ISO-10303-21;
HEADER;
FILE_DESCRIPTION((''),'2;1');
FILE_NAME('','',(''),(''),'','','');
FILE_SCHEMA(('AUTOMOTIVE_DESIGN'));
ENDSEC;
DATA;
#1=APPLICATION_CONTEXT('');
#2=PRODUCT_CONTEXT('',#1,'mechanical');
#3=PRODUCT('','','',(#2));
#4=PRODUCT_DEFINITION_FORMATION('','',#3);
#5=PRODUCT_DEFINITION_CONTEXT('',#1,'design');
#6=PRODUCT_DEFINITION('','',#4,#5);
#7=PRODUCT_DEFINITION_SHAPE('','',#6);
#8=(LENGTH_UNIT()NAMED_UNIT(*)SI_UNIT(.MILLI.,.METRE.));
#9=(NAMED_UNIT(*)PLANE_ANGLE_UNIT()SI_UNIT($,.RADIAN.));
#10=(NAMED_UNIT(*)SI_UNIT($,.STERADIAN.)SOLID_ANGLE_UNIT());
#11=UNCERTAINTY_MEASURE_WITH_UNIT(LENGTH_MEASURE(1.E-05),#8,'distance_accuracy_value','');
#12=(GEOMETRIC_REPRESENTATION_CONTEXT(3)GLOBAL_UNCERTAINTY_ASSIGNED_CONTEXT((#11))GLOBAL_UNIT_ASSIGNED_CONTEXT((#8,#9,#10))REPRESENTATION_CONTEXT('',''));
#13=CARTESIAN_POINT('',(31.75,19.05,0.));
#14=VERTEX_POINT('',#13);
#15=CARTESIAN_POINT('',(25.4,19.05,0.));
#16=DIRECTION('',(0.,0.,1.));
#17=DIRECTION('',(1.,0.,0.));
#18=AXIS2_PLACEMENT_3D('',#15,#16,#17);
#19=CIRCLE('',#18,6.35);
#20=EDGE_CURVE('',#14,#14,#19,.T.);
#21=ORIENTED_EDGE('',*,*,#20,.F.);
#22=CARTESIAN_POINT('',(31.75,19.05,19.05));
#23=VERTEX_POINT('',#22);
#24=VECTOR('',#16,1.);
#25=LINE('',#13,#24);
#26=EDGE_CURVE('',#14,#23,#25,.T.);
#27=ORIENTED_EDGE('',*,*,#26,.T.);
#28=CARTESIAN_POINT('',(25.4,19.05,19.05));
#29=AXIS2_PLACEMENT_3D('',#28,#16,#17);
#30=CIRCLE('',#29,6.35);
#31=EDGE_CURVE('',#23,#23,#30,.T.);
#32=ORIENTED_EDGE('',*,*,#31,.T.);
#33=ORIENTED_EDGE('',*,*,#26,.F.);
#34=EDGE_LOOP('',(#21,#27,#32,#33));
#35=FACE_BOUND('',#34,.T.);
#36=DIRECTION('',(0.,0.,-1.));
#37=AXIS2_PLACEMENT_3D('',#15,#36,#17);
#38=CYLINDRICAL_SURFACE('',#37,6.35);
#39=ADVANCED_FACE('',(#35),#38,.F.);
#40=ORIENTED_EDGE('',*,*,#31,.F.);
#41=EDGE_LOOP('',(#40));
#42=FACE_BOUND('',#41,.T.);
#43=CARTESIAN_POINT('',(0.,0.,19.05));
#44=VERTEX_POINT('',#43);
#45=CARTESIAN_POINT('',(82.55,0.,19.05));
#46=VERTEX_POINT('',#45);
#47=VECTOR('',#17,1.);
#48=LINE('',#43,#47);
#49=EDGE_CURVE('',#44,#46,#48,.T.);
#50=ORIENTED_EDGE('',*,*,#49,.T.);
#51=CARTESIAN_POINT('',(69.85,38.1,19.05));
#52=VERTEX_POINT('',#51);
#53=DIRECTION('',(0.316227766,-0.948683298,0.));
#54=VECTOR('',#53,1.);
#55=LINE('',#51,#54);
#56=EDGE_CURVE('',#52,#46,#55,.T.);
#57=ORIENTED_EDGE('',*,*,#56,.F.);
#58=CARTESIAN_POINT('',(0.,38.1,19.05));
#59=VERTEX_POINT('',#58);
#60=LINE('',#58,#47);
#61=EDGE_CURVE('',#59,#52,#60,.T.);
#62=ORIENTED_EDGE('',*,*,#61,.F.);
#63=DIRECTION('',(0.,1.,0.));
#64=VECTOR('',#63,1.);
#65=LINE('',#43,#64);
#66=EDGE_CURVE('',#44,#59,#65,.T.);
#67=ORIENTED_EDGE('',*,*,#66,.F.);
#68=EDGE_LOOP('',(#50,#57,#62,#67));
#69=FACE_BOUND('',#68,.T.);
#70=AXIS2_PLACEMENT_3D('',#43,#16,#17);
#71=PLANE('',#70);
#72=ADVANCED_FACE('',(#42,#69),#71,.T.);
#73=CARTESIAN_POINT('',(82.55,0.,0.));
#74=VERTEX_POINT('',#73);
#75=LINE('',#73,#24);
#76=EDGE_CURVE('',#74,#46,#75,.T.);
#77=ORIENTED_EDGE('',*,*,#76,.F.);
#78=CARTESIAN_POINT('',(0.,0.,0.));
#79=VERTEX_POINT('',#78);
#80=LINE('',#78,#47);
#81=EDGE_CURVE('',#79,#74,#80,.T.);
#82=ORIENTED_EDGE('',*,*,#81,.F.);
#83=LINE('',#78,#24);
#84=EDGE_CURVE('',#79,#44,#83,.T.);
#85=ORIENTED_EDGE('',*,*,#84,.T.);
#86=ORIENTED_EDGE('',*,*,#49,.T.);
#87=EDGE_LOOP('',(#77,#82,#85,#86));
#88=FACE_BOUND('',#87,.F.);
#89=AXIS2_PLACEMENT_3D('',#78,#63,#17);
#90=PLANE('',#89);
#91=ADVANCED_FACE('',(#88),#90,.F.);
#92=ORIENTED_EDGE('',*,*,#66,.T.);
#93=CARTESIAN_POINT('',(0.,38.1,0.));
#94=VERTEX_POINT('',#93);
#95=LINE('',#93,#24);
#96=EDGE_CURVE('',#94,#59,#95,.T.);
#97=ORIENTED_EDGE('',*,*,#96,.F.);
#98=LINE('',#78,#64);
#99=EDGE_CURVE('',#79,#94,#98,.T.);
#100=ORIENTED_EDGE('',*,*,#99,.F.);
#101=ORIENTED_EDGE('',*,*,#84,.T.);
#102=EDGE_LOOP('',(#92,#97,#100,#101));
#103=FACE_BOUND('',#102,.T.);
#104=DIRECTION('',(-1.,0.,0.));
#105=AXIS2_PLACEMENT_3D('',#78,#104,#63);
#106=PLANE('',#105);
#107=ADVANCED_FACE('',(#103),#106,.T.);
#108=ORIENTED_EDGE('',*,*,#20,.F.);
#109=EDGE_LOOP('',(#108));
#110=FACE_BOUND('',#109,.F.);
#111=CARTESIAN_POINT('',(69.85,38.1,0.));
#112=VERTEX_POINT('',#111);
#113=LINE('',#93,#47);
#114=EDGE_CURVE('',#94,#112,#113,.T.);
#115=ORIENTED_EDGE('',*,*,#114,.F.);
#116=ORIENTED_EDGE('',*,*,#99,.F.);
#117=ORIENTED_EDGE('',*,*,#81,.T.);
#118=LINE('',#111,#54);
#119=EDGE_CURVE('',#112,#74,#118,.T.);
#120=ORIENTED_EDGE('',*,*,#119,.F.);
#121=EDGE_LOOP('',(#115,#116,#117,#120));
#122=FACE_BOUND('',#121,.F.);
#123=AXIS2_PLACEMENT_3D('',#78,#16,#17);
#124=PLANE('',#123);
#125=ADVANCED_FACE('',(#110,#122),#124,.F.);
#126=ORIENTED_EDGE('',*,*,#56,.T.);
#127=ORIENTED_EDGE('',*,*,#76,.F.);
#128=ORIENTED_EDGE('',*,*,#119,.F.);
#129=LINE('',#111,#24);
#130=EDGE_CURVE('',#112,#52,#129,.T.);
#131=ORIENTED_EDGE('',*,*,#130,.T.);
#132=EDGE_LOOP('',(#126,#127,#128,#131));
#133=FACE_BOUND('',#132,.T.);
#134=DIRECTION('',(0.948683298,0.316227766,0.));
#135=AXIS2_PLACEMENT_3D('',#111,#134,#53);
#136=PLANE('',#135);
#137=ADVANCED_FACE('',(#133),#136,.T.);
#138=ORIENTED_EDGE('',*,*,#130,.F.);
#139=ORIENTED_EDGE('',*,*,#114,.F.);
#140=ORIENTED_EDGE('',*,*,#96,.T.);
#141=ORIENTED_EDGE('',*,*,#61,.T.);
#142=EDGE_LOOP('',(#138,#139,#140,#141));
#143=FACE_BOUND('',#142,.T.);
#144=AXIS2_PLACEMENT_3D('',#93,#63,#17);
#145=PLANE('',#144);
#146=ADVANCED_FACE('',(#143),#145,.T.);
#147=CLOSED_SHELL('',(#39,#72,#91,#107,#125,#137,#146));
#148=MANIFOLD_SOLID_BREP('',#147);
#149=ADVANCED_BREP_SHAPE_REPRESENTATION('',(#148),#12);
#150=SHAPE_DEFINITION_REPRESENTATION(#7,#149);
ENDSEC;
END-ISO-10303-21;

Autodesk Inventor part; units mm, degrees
ref_plane "YZ Plane" through (0, 0, 0) normal (1, 0, 0) x (0, 1, 0)
ref_plane "XZ Plane" through (0, 0, 0) normal (0, 1, 0) x (-1, 0, 0)
ref_plane "XY Plane" through (0, 0, 0) normal (0, 0, 1) x (1, 0, 0)
sketch "Sketch1" plane through (0, 0, 0) normal (0, 0, 1) x (1, 0, 0)
  line L0 (0, 0) -> (82.55, 0)
  line L1 (0, 0) -> (0, 38.1)
  line L2 (0, 38.1) -> (69.85, 38.1)
  line L3 (69.85, 38.1) -> (82.55, 0)
  circle A0 centre (25.4, 19.05) radius 6.35
  dimension "d0" = 82.55
  dimension "d1" = 38.1
  dimension "d2" = 69.85
  dimension "d3" = 12.7
  dimension "d4" = 19.05
  dimension "d5" = 25.4
extrude "Extrusion1" add sketch "Sketch1" along normal blind 19.05
properties part number "final orthograph"
